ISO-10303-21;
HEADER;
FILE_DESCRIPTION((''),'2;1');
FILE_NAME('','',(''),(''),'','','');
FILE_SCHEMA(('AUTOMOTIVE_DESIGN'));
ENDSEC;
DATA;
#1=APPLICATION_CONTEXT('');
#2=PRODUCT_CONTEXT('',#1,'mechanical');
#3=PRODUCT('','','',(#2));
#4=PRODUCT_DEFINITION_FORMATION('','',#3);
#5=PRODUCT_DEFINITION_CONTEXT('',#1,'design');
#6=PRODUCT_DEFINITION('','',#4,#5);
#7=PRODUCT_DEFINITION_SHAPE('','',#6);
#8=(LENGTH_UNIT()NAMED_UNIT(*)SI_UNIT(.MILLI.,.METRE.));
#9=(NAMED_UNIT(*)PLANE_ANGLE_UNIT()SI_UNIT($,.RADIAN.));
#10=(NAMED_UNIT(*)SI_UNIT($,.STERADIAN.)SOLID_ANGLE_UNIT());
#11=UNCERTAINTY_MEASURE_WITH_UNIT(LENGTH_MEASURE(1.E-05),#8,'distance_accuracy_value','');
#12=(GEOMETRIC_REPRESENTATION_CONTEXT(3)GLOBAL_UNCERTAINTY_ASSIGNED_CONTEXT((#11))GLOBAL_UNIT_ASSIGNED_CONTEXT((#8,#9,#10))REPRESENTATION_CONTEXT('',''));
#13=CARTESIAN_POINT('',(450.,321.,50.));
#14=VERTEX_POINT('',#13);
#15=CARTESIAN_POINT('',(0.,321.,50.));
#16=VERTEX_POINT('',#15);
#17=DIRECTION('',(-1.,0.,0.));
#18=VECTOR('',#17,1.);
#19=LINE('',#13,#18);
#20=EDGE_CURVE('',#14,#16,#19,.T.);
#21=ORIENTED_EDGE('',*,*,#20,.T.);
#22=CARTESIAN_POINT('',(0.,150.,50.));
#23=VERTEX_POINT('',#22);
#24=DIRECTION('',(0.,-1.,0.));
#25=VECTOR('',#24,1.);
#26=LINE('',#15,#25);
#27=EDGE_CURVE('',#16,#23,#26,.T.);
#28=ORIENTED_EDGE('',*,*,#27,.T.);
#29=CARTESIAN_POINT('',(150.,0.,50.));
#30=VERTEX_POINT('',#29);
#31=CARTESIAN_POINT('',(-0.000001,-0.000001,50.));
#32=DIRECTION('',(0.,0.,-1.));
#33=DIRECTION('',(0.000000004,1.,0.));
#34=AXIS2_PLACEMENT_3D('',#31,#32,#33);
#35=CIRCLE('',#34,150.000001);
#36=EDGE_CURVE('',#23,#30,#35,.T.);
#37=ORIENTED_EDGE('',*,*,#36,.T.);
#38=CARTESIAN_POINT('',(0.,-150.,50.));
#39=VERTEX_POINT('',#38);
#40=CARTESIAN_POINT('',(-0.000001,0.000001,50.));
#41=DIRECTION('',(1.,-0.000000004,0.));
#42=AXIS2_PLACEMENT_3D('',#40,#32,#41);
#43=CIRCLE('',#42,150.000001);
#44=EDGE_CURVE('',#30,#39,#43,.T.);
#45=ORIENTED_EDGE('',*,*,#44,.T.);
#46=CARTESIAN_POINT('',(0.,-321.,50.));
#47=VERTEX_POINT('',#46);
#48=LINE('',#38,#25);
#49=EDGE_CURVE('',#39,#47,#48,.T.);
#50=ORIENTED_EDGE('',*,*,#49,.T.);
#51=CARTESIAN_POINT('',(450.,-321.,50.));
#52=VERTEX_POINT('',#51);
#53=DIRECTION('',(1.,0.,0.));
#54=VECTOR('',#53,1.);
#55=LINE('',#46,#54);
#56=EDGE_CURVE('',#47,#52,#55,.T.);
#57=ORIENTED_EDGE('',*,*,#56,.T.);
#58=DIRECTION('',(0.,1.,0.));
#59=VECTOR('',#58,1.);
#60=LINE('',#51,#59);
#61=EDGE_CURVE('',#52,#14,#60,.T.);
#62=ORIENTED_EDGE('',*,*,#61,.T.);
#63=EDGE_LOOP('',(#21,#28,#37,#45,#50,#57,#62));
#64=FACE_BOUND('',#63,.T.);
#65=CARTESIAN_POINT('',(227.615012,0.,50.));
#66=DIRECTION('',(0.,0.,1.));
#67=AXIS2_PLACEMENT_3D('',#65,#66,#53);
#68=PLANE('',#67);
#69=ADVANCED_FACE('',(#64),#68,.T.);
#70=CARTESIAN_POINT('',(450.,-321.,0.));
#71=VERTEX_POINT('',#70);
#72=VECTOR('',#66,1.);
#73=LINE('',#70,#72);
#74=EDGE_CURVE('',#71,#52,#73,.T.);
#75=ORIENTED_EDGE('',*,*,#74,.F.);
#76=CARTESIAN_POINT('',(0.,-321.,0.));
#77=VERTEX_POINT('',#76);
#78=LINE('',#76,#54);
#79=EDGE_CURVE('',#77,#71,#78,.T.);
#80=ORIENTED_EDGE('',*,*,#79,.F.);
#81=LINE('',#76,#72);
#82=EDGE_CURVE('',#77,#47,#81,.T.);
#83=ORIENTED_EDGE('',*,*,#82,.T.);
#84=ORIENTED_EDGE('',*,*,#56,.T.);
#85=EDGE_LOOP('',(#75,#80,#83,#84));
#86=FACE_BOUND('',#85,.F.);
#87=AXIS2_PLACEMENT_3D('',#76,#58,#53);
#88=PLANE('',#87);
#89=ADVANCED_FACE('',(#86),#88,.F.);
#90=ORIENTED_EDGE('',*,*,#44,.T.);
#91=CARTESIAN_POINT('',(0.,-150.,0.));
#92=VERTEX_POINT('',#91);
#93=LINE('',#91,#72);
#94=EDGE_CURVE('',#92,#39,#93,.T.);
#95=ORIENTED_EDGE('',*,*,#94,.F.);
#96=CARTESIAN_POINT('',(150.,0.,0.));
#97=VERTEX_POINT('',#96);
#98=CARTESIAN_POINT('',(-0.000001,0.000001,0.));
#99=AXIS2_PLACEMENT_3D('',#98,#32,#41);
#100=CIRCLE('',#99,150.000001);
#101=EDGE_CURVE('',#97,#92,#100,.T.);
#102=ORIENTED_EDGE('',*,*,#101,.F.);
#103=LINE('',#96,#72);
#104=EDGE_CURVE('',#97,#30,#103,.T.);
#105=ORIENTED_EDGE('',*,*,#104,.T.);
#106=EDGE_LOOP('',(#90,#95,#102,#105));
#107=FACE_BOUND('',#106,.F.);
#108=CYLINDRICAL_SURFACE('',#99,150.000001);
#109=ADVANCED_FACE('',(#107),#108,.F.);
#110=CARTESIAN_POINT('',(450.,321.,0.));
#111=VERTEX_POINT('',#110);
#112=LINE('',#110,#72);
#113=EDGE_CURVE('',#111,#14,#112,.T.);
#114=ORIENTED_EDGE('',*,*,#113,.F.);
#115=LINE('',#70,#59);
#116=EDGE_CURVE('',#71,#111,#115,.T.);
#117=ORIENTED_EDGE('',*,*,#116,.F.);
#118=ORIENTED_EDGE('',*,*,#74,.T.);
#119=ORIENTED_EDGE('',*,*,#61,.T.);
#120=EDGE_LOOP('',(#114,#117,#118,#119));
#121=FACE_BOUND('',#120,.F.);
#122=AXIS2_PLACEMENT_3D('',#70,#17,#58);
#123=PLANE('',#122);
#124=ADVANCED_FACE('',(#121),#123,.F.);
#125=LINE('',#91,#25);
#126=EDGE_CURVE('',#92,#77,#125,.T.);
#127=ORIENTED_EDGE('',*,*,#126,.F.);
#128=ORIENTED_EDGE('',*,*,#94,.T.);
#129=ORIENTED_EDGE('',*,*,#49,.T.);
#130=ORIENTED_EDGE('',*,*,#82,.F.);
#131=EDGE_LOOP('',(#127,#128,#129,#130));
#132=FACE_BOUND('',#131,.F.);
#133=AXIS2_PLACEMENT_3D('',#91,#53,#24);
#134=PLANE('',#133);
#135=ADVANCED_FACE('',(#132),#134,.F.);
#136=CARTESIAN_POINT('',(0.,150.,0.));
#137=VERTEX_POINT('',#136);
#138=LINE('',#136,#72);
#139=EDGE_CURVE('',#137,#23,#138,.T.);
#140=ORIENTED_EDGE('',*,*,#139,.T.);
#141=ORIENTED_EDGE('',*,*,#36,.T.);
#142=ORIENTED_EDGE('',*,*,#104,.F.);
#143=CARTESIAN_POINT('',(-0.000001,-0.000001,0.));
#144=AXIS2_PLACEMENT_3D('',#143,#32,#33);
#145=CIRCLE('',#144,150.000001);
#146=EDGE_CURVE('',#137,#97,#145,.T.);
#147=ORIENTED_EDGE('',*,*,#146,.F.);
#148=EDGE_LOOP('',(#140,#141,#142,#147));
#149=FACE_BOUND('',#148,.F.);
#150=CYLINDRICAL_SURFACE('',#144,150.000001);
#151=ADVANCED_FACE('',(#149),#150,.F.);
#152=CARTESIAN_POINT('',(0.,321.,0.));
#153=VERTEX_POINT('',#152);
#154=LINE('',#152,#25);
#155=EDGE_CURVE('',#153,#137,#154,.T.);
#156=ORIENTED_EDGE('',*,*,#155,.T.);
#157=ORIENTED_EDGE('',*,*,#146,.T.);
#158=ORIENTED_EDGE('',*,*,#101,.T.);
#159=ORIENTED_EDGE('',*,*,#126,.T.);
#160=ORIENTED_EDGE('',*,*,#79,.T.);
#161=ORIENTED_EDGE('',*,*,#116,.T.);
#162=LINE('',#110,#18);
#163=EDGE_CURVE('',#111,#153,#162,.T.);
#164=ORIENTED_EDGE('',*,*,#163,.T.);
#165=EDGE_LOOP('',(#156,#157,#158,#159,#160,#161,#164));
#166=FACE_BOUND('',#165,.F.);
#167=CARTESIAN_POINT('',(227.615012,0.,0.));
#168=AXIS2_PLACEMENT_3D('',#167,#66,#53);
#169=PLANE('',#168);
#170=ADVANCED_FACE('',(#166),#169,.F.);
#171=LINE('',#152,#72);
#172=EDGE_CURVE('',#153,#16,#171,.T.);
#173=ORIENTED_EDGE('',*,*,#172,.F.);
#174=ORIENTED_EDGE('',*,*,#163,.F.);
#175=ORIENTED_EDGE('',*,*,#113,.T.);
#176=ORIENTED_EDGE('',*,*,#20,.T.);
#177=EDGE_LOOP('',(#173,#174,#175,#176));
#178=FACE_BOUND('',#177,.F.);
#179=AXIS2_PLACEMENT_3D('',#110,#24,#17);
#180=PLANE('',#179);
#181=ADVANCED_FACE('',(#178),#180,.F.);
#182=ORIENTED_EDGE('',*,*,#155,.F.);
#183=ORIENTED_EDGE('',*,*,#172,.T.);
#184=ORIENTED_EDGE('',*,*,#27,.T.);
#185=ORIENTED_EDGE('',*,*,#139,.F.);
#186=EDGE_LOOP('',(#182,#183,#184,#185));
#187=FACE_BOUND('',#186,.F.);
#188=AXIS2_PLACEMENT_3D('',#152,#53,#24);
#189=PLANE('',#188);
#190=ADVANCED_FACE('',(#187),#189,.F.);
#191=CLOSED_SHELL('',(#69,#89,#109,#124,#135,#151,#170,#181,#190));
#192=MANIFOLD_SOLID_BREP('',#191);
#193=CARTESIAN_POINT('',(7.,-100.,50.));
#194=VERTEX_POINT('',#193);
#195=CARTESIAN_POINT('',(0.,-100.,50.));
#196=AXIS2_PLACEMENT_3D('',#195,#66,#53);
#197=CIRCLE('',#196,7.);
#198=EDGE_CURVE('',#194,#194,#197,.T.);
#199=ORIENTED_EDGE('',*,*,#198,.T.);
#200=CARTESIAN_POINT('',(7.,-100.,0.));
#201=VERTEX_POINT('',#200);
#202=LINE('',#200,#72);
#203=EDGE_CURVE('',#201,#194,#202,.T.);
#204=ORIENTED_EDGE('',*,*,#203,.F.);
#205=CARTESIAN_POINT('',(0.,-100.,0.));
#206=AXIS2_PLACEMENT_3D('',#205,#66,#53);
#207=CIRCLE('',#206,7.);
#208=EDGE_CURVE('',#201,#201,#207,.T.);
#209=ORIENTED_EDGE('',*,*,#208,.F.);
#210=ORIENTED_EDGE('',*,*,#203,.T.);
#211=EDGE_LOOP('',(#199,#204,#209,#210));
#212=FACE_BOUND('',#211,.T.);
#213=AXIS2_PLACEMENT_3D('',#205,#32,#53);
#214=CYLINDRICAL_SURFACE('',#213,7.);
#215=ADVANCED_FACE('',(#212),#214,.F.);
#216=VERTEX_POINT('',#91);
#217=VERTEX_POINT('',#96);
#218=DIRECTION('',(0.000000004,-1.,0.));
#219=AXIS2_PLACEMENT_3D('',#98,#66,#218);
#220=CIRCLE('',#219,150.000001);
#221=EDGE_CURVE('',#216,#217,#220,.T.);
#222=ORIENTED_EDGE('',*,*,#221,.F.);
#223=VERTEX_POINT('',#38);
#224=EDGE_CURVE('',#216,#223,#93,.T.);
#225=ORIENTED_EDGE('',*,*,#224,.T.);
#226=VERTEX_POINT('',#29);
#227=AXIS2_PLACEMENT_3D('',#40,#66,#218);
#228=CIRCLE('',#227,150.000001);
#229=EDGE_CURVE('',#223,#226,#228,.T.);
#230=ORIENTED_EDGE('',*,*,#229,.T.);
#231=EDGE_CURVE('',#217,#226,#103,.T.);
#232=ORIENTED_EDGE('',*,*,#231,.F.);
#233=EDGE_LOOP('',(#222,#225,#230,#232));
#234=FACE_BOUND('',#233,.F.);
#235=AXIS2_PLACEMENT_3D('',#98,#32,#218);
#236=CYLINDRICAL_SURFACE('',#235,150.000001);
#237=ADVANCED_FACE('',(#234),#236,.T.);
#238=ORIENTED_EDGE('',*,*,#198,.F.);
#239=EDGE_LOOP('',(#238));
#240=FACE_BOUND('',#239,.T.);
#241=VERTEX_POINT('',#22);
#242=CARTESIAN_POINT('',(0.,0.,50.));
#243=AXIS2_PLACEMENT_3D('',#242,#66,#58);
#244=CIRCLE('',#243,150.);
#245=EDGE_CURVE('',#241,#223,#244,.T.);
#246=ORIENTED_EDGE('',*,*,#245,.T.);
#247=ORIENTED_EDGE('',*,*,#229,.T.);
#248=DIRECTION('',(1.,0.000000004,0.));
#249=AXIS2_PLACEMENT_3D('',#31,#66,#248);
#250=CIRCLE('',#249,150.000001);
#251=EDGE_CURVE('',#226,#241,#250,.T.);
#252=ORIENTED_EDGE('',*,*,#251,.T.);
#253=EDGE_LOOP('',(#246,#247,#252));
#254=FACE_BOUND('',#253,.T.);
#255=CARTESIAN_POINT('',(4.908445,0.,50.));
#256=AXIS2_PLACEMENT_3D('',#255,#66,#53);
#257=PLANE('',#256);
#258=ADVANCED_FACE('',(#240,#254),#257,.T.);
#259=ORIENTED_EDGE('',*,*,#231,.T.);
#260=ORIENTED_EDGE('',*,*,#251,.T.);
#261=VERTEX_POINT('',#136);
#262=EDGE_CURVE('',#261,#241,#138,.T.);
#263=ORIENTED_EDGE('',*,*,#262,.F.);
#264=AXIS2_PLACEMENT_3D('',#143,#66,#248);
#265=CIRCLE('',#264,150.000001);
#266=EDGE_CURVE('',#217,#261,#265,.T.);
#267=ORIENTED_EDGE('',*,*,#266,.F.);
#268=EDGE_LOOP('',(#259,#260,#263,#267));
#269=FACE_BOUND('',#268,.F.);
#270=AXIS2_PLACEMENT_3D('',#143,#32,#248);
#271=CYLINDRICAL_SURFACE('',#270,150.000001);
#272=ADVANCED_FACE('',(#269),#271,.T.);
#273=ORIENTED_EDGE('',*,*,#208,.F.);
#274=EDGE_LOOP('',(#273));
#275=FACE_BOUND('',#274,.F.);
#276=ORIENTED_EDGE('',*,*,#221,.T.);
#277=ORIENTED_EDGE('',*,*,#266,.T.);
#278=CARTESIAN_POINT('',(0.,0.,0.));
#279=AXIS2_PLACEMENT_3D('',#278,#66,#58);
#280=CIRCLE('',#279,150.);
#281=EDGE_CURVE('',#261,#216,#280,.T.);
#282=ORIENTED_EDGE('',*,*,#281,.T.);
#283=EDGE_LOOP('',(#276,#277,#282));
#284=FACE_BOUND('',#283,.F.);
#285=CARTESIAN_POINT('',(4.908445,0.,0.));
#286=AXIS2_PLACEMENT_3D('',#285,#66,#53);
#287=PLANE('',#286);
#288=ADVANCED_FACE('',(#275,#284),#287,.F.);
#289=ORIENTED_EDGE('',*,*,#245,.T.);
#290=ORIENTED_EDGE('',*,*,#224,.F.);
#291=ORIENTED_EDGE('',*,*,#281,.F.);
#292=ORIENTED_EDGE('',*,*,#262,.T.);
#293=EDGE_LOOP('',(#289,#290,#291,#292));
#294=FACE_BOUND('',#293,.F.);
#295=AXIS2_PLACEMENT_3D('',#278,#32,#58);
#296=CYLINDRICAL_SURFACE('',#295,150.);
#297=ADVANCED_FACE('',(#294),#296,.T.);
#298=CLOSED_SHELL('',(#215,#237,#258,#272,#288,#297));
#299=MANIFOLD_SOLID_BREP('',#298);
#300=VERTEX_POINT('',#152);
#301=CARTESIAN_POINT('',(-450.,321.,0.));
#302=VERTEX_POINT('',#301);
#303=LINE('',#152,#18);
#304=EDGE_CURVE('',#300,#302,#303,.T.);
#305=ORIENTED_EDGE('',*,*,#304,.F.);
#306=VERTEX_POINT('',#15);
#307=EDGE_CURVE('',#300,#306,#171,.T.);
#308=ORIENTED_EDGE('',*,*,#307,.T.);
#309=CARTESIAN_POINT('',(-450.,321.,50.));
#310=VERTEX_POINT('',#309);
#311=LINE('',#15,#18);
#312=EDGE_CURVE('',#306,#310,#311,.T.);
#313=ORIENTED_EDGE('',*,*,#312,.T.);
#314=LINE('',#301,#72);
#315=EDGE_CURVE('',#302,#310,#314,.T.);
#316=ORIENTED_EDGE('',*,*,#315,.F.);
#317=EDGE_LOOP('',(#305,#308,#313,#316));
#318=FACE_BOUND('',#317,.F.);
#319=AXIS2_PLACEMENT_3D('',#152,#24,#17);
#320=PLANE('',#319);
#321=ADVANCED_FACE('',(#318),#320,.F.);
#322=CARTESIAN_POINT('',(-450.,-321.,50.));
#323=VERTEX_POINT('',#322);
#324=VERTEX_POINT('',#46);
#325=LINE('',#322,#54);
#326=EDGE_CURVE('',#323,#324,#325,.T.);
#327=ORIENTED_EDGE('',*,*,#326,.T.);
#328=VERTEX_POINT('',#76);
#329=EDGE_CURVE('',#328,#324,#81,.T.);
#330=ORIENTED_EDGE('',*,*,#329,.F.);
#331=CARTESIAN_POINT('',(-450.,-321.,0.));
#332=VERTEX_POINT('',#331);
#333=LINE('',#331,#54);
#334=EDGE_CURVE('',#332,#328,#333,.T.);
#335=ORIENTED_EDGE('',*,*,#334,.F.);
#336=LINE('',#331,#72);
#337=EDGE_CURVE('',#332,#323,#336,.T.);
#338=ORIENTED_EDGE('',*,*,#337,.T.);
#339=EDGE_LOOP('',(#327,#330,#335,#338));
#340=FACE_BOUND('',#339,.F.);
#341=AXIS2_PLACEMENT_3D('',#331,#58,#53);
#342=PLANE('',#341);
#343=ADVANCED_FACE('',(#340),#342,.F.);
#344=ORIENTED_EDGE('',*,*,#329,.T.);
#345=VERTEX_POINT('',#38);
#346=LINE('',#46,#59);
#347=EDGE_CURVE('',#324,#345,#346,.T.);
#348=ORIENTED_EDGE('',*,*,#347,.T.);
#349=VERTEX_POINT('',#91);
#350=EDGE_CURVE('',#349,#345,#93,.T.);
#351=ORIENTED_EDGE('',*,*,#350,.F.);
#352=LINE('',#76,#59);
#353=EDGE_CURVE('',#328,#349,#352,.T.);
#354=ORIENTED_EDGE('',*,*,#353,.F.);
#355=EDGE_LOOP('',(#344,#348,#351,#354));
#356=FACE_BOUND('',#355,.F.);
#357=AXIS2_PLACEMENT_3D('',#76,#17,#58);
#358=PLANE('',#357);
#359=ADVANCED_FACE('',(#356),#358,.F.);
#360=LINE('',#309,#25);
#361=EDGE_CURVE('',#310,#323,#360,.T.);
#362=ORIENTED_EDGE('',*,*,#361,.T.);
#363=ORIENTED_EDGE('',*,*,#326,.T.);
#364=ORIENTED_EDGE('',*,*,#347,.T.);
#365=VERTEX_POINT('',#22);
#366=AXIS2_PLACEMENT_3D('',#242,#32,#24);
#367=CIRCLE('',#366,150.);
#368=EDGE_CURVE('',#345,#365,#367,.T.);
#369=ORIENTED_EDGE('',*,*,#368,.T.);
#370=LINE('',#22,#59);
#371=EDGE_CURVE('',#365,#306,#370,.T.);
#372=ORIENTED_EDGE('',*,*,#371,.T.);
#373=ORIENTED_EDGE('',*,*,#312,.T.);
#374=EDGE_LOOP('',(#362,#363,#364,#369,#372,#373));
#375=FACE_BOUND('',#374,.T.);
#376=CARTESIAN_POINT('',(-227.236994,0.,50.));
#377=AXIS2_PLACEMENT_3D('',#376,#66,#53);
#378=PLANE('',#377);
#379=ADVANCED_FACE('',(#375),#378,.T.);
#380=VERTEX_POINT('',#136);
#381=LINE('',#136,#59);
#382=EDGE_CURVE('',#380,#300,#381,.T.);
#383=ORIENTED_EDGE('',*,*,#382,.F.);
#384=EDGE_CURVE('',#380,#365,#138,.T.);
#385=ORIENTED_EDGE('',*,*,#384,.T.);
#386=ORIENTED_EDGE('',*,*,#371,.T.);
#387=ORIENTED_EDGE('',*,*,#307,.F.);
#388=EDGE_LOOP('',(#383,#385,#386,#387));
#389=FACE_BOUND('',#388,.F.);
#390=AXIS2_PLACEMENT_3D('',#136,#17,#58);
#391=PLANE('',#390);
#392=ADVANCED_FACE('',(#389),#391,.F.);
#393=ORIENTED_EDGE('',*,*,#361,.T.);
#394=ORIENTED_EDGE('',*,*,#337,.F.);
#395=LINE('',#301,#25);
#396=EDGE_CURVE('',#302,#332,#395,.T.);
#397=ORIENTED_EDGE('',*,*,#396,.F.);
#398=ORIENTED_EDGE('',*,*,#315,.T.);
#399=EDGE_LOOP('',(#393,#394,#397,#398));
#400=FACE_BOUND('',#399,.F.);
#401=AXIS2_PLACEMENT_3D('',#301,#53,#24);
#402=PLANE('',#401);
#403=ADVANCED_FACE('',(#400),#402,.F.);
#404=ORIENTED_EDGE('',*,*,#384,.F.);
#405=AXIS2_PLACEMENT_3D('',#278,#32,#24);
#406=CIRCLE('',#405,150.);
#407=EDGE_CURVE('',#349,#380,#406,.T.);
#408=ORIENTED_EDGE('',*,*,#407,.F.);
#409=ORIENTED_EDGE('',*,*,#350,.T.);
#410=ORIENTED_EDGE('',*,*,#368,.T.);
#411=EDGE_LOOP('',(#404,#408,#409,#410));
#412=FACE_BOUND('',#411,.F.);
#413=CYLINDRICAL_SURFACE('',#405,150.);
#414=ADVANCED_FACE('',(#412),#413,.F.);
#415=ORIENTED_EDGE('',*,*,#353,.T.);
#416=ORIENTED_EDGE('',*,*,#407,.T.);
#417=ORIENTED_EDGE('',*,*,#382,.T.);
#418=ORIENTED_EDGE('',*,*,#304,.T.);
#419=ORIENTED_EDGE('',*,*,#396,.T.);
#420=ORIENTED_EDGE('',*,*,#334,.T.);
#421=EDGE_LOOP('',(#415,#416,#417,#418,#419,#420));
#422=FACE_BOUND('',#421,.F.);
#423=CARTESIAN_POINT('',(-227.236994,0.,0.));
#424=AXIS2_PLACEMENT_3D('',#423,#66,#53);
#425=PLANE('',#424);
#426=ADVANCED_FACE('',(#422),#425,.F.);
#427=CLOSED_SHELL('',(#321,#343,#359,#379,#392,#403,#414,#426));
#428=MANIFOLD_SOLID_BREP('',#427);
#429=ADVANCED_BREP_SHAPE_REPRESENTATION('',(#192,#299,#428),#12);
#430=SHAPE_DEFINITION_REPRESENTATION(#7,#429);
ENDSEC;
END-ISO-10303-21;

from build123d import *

# Parameters (mm, degrees)
F1_DEPTH = 50
F2_DEPTH = 50
F0_R     = 7
F3_DEPTH = 50


with BuildPart() as f1:
    # F0 (on Top) → F1 (new body)
    with BuildSketch(Plane.XY):
        with BuildLine():
            Line((0, 150), (0, 321))
            Line((0, 321), (-450, 321))
            Line((-450, 321), (-450, -321))
            Line((-450, -321), (0, -321))
            Line((0, -321), (0, -150))
            ThreePointArc((0, -150), (-150, 0), (0, 150))
        make_face()
    extrude(amount=F1_DEPTH)


with BuildPart() as f2:
    # F0 (on Top) → F2 (new body)
    with BuildSketch(Plane.XY):
        with BuildLine():
            Line((450, -321), (450, 321))
            Line((450, 321), (0, 321))
            Line((0, 321), (0, 150))
            ThreePointArc((0, 150), (106.066017, 106.066017), (150, 0))
            ThreePointArc((150, 0), (106.066017, -106.066017), (0, -150))
            Line((0, -150), (0, -321))
            Line((0, -321), (450, -321))
        make_face()
    extrude(amount=F2_DEPTH)


with BuildPart() as f3:
    # F0 (on Top) → F3 (new body)
    with BuildSketch(Plane.XY):
        with BuildLine():
            ThreePointArc((150, 0), (106.066017, 106.066017), (0, 150))
            ThreePointArc((0, 150), (-150, 0), (0, -150))
            ThreePointArc((0, -150), (106.066017, -106.066017), (150, 0))
        make_face()
        with Locations((0, -100)):
            Circle(F0_R, mode=Mode.SUBTRACT)
    extrude(amount=F3_DEPTH)


solid = Compound([f1.part, f2.part, f3.part])
